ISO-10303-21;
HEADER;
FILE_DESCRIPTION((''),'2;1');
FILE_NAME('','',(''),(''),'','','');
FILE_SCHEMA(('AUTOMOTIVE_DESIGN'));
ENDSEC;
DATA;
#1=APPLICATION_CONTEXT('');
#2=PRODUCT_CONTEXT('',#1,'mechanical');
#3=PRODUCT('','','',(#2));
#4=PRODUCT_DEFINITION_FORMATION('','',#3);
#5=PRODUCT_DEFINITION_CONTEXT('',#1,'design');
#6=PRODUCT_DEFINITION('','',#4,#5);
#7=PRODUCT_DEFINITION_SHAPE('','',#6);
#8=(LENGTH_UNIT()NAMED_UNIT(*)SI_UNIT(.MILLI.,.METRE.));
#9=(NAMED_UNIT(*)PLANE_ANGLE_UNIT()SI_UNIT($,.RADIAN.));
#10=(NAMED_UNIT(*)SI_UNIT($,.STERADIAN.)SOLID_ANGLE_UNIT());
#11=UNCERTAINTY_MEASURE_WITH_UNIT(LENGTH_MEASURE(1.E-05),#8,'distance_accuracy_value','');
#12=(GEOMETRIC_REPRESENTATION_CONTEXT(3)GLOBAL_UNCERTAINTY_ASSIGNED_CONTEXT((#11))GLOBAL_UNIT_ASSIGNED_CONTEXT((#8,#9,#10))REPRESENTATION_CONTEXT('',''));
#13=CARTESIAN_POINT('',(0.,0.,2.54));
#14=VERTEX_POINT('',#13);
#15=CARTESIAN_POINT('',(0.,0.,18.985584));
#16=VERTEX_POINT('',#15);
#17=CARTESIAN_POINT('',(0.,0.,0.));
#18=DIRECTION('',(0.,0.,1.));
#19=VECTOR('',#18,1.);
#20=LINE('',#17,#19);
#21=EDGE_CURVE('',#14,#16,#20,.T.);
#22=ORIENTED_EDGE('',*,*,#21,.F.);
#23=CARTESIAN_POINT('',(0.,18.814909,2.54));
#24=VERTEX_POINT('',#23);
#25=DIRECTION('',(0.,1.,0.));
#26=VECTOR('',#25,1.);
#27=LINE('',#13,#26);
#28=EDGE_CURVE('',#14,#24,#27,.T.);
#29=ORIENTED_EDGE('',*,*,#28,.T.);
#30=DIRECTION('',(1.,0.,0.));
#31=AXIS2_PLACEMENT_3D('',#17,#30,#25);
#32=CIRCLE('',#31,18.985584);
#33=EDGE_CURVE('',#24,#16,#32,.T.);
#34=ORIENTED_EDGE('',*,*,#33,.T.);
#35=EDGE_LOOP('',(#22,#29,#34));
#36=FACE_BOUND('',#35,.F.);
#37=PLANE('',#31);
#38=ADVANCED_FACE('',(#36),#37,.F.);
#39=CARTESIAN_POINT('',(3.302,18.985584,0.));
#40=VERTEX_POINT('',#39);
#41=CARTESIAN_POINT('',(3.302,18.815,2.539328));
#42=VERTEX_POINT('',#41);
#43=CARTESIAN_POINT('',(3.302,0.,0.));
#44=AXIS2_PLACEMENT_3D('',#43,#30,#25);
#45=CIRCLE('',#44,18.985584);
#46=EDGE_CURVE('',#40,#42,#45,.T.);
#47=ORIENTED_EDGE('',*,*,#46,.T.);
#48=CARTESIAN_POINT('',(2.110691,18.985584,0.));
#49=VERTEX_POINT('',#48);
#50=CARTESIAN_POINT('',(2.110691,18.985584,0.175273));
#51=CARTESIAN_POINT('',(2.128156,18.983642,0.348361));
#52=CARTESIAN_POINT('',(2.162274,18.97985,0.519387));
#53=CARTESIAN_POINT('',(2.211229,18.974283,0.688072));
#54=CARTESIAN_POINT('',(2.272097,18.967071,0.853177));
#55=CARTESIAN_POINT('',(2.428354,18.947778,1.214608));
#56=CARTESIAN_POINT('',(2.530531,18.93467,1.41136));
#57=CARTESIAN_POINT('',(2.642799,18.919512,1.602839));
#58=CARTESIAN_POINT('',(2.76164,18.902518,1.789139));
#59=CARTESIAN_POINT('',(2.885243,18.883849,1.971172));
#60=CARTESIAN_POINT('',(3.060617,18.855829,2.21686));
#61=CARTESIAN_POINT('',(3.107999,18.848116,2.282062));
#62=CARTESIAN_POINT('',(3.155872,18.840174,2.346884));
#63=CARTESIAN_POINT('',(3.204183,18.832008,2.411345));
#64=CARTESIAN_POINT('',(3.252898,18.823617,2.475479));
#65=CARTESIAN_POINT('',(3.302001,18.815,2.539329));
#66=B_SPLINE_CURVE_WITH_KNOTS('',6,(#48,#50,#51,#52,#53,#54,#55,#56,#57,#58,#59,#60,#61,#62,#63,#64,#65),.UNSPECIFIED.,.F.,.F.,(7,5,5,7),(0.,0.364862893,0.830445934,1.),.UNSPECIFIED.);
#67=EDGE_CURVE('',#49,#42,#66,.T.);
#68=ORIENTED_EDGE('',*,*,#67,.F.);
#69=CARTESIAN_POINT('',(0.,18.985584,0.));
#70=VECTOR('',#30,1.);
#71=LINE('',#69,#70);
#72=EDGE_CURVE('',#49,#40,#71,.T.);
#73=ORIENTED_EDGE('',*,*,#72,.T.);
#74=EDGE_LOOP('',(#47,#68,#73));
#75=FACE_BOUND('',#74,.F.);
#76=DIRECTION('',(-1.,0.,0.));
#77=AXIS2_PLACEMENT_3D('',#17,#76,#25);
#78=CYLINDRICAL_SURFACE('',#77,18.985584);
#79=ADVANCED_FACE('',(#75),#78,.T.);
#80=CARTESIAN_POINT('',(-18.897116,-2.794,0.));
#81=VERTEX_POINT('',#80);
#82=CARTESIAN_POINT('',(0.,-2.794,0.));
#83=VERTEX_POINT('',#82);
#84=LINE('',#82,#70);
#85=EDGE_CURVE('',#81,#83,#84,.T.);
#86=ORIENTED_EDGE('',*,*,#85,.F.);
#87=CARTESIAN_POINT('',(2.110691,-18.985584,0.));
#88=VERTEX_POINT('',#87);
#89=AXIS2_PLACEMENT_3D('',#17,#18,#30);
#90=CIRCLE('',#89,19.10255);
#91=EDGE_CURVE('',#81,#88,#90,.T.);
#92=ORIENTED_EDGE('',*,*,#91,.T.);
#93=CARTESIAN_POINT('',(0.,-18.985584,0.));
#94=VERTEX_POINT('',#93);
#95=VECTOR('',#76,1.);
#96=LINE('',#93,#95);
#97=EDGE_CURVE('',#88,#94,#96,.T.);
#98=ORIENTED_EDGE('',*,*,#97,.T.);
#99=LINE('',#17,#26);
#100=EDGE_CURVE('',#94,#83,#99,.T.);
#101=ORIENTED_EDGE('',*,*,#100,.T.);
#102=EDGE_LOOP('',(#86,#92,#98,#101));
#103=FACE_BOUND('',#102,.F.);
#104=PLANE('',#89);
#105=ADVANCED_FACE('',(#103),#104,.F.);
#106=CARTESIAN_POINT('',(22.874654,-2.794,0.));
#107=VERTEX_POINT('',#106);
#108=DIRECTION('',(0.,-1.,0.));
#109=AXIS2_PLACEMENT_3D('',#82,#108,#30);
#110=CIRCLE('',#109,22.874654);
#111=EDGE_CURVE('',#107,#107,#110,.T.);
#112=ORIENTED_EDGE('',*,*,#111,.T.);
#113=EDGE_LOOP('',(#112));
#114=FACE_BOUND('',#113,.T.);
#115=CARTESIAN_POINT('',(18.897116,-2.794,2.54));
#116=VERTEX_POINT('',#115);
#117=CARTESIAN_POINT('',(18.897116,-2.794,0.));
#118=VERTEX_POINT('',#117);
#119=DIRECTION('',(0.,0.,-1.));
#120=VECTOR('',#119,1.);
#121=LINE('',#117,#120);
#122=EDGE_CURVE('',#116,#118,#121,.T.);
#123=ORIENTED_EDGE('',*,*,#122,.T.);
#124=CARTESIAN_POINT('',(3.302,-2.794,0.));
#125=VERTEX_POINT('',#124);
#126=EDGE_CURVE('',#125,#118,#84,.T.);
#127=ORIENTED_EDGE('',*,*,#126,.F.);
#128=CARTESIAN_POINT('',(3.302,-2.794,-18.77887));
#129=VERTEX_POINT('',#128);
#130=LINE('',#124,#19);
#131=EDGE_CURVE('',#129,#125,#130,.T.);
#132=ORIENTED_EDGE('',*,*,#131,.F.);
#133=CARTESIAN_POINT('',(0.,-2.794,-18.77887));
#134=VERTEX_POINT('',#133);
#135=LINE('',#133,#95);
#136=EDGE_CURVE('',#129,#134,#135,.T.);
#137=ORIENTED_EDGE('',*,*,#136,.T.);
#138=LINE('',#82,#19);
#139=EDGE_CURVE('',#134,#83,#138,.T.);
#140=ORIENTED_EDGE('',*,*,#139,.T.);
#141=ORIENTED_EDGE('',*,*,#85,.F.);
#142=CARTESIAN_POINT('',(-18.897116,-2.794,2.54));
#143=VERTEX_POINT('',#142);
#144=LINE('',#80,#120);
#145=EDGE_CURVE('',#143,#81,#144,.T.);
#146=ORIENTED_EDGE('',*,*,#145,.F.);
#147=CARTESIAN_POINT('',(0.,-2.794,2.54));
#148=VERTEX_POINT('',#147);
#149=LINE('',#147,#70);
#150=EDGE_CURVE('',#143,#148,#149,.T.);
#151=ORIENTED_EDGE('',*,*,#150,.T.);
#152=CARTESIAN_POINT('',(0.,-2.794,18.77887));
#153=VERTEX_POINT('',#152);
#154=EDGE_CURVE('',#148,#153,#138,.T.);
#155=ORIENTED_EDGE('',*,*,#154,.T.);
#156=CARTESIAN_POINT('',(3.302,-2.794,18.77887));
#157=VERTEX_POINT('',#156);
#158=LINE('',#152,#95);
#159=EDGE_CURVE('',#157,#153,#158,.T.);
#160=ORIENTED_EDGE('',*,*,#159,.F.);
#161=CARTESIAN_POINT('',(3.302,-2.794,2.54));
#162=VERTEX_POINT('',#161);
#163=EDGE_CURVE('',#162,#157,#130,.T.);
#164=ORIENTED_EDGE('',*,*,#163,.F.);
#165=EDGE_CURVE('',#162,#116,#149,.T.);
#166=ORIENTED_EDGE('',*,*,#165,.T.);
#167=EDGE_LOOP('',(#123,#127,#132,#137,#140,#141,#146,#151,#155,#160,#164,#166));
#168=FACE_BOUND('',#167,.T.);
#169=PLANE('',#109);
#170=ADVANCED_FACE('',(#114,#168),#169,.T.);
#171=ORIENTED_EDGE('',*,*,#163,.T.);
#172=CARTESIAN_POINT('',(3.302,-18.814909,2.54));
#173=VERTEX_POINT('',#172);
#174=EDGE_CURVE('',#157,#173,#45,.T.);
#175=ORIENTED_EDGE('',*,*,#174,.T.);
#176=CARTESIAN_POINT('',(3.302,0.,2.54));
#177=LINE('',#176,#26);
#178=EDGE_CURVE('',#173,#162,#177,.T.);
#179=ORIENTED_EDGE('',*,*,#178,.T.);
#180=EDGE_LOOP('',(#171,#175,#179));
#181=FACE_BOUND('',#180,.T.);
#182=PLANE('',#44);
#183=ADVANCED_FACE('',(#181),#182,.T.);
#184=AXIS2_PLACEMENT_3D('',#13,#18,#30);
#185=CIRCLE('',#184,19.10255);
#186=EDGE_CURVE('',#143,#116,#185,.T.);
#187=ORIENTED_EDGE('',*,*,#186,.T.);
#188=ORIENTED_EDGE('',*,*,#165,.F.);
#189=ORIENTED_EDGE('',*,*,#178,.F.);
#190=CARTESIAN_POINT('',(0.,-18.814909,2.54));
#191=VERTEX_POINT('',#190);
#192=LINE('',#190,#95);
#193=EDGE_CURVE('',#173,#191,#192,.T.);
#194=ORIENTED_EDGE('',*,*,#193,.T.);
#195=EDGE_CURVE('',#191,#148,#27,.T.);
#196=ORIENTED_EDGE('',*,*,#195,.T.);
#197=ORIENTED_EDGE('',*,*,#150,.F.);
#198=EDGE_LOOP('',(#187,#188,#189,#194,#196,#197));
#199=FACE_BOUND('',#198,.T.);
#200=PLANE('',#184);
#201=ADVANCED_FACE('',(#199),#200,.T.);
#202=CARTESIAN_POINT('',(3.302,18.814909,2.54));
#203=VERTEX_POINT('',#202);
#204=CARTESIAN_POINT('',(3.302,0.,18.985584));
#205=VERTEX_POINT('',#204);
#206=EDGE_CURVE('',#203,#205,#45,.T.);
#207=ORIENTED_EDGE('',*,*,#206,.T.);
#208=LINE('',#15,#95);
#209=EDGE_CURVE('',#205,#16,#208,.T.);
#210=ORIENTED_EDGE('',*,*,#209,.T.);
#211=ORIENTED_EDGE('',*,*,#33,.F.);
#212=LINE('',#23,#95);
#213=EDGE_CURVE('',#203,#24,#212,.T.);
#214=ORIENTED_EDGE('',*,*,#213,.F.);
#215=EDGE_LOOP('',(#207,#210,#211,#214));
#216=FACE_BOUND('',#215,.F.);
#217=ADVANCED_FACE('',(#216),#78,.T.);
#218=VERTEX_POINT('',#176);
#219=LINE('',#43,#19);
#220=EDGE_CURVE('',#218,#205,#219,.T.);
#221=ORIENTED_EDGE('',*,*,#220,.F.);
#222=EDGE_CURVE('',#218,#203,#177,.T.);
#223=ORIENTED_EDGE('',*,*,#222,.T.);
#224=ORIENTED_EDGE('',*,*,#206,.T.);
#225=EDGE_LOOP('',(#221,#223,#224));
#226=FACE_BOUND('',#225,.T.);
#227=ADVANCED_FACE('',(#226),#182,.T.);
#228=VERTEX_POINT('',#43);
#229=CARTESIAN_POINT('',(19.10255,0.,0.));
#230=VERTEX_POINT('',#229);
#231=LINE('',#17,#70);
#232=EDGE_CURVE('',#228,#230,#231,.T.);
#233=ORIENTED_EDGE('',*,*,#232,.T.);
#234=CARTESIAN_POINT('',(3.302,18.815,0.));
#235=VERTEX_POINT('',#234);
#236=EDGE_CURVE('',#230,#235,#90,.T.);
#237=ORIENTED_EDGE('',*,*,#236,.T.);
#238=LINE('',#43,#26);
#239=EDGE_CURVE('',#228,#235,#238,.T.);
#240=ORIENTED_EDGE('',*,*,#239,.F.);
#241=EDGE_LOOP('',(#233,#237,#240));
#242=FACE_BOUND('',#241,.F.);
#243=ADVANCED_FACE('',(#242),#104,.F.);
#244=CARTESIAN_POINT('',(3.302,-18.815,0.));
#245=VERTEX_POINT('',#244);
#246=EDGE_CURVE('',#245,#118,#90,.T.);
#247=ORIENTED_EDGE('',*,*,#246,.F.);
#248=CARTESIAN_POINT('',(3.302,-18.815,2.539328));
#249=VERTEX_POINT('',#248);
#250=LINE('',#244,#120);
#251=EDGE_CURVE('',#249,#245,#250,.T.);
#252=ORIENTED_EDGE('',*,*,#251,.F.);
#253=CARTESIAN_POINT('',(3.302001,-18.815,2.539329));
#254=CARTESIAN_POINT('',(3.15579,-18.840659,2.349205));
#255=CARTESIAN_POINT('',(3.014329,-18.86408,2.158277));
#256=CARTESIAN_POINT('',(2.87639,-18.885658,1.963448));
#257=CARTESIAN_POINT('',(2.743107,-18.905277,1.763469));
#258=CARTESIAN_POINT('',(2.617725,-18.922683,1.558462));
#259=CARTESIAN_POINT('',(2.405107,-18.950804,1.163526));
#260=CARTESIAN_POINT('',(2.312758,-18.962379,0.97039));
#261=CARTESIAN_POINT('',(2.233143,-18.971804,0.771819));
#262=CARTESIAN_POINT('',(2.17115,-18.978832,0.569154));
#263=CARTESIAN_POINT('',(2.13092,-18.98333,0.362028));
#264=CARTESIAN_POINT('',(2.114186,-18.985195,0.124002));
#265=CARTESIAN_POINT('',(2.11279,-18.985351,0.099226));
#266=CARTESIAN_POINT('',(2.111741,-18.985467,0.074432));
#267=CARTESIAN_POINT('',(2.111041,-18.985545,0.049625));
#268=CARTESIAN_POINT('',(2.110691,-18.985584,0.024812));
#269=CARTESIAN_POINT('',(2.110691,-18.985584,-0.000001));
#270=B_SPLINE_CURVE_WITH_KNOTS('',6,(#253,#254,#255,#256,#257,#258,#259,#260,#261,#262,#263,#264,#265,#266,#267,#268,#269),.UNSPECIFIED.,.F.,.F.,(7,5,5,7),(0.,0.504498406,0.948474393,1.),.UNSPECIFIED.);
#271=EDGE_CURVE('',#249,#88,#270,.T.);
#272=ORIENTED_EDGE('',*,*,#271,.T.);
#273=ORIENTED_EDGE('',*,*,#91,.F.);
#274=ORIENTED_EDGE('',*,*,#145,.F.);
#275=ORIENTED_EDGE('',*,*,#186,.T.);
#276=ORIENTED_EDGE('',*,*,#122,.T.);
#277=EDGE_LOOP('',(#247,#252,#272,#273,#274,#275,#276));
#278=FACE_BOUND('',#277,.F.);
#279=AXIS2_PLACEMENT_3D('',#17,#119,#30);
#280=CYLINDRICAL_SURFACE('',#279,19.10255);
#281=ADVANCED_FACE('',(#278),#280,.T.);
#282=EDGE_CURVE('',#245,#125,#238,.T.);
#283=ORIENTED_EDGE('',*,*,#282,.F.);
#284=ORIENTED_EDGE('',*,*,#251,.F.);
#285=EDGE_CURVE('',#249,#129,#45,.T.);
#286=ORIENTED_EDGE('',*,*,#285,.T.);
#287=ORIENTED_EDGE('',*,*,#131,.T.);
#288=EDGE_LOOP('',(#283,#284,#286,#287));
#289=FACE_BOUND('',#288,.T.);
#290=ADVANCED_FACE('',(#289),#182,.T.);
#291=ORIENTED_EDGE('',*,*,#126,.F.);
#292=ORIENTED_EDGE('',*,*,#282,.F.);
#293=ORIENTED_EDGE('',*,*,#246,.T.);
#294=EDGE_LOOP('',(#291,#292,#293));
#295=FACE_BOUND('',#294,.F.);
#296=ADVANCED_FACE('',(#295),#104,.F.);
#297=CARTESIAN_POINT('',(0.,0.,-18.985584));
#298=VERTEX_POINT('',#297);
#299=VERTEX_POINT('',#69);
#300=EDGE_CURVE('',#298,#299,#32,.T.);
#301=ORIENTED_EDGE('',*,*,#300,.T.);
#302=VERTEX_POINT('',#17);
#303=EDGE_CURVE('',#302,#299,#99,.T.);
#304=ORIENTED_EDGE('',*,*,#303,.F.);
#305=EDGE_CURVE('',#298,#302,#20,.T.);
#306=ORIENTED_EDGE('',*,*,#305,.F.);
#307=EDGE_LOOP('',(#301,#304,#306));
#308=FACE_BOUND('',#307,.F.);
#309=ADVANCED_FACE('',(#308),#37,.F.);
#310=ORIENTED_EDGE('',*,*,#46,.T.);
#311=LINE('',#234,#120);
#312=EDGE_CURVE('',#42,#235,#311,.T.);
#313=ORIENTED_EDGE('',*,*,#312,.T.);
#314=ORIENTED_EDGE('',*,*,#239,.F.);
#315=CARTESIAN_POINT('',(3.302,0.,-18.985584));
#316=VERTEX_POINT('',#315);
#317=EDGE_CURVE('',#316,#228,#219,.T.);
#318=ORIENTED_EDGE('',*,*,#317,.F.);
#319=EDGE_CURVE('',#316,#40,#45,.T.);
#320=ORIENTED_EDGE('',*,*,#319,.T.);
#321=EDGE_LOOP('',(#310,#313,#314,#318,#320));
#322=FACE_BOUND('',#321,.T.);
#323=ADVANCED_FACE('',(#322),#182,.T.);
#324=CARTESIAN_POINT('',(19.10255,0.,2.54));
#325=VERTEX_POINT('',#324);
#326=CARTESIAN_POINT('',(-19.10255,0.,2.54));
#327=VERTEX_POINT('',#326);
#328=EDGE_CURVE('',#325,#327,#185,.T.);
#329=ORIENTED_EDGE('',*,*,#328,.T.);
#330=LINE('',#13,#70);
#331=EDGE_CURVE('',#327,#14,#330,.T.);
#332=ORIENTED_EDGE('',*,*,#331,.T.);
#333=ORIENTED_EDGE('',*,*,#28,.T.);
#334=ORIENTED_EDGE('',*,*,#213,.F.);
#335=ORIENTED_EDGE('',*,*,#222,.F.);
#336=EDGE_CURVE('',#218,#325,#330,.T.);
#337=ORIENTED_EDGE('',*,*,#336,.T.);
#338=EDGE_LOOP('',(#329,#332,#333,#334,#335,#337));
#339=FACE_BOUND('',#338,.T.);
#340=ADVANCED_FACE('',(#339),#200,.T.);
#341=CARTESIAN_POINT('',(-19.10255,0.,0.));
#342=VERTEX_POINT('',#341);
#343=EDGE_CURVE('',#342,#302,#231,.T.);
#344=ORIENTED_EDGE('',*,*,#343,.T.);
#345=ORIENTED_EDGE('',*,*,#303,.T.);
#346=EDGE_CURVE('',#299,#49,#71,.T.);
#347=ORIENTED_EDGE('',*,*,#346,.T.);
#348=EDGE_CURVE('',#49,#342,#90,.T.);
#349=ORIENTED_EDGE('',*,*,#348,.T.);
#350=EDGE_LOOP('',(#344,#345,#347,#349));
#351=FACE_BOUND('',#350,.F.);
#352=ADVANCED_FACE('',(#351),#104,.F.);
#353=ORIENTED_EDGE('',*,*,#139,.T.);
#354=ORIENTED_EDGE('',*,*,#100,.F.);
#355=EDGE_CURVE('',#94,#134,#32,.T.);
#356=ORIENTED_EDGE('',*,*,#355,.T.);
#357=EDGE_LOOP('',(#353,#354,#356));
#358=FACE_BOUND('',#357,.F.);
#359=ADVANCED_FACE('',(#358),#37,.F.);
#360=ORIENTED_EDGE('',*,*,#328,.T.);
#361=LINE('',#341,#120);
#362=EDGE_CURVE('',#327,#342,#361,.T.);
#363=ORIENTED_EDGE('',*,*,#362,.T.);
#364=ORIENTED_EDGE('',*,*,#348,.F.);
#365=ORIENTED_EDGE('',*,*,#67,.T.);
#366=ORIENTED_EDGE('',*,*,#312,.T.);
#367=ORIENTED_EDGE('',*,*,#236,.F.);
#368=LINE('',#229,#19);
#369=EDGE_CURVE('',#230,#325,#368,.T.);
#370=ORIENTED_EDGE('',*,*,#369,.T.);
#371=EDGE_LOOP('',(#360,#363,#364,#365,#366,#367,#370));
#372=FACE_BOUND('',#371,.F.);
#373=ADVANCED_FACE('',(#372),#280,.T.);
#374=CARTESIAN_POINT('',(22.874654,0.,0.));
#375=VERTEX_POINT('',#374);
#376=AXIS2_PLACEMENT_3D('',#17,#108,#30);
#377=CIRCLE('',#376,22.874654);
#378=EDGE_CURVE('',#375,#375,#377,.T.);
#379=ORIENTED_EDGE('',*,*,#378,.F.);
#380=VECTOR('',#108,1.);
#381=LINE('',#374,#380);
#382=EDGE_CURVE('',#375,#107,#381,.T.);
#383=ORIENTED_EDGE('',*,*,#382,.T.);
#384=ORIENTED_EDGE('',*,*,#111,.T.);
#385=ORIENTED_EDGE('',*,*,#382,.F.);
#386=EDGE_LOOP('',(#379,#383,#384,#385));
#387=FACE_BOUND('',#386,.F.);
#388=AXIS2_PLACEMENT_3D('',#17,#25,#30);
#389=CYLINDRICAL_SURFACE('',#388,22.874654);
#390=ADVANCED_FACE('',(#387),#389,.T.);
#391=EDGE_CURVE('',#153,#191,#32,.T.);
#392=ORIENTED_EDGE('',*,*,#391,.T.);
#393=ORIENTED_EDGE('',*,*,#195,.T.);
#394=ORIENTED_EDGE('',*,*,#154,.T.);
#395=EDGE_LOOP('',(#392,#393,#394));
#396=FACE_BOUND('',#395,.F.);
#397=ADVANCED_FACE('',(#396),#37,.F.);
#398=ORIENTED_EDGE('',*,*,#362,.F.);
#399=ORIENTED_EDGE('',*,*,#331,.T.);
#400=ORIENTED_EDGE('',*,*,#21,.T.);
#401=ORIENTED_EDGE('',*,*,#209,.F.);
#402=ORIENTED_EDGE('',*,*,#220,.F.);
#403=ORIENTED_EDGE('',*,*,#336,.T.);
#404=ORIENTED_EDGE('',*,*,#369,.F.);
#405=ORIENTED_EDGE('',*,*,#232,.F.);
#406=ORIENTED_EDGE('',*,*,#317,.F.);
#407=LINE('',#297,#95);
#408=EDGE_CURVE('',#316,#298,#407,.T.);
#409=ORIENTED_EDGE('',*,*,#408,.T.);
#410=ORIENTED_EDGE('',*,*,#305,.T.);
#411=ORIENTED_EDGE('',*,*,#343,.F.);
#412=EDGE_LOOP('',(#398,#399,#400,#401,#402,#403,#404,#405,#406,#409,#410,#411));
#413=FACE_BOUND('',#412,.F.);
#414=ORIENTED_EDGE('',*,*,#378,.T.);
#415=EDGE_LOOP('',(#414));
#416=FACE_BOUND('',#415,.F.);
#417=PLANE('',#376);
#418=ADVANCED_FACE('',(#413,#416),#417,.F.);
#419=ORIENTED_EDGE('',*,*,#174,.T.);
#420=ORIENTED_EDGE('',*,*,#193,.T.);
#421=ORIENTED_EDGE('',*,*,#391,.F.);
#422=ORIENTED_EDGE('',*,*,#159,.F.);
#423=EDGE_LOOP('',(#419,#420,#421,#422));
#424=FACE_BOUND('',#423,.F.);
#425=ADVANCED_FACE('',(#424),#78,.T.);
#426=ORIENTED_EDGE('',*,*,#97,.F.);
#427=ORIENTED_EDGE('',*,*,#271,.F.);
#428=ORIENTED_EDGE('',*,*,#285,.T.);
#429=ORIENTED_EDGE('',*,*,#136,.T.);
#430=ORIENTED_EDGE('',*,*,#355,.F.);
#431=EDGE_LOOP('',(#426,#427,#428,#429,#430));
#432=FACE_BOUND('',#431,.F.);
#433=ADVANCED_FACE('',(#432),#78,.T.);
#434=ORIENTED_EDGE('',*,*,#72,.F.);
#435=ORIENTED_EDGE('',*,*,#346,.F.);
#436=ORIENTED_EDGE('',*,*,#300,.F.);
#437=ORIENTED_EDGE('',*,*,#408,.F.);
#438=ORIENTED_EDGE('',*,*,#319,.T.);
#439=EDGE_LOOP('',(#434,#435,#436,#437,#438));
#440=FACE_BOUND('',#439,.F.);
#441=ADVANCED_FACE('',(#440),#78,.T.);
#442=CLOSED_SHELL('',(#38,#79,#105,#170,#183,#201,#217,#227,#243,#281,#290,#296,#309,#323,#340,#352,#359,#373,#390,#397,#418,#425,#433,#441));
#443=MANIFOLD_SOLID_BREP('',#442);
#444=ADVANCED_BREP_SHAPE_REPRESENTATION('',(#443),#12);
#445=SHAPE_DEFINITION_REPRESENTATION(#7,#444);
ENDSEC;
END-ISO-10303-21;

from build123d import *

# Parameters (mm, degrees)
F0_R     = 19.10255
F1_DEPTH = 2.54
F2_R     = 22.874654
F3_DEPTH = 2.794
F4_R     = 18.985584
F5_DEPTH = 3.302


with BuildPart() as f1:
    # F0 (on Top) → F1 (new body)
    with BuildSketch(Plane.XY):
        Circle(F0_R)
    extrude(amount=F1_DEPTH)

    # F2 (on Front) → F3 (join)
    with BuildSketch(Plane.XZ):
        Circle(F2_R)
    extrude(amount=F3_DEPTH)

    # F4 (on Right) → F5 (join)
    with BuildSketch(Plane.YZ):
        Circle(F4_R)
    extrude(amount=F5_DEPTH)


solid = f1.part
